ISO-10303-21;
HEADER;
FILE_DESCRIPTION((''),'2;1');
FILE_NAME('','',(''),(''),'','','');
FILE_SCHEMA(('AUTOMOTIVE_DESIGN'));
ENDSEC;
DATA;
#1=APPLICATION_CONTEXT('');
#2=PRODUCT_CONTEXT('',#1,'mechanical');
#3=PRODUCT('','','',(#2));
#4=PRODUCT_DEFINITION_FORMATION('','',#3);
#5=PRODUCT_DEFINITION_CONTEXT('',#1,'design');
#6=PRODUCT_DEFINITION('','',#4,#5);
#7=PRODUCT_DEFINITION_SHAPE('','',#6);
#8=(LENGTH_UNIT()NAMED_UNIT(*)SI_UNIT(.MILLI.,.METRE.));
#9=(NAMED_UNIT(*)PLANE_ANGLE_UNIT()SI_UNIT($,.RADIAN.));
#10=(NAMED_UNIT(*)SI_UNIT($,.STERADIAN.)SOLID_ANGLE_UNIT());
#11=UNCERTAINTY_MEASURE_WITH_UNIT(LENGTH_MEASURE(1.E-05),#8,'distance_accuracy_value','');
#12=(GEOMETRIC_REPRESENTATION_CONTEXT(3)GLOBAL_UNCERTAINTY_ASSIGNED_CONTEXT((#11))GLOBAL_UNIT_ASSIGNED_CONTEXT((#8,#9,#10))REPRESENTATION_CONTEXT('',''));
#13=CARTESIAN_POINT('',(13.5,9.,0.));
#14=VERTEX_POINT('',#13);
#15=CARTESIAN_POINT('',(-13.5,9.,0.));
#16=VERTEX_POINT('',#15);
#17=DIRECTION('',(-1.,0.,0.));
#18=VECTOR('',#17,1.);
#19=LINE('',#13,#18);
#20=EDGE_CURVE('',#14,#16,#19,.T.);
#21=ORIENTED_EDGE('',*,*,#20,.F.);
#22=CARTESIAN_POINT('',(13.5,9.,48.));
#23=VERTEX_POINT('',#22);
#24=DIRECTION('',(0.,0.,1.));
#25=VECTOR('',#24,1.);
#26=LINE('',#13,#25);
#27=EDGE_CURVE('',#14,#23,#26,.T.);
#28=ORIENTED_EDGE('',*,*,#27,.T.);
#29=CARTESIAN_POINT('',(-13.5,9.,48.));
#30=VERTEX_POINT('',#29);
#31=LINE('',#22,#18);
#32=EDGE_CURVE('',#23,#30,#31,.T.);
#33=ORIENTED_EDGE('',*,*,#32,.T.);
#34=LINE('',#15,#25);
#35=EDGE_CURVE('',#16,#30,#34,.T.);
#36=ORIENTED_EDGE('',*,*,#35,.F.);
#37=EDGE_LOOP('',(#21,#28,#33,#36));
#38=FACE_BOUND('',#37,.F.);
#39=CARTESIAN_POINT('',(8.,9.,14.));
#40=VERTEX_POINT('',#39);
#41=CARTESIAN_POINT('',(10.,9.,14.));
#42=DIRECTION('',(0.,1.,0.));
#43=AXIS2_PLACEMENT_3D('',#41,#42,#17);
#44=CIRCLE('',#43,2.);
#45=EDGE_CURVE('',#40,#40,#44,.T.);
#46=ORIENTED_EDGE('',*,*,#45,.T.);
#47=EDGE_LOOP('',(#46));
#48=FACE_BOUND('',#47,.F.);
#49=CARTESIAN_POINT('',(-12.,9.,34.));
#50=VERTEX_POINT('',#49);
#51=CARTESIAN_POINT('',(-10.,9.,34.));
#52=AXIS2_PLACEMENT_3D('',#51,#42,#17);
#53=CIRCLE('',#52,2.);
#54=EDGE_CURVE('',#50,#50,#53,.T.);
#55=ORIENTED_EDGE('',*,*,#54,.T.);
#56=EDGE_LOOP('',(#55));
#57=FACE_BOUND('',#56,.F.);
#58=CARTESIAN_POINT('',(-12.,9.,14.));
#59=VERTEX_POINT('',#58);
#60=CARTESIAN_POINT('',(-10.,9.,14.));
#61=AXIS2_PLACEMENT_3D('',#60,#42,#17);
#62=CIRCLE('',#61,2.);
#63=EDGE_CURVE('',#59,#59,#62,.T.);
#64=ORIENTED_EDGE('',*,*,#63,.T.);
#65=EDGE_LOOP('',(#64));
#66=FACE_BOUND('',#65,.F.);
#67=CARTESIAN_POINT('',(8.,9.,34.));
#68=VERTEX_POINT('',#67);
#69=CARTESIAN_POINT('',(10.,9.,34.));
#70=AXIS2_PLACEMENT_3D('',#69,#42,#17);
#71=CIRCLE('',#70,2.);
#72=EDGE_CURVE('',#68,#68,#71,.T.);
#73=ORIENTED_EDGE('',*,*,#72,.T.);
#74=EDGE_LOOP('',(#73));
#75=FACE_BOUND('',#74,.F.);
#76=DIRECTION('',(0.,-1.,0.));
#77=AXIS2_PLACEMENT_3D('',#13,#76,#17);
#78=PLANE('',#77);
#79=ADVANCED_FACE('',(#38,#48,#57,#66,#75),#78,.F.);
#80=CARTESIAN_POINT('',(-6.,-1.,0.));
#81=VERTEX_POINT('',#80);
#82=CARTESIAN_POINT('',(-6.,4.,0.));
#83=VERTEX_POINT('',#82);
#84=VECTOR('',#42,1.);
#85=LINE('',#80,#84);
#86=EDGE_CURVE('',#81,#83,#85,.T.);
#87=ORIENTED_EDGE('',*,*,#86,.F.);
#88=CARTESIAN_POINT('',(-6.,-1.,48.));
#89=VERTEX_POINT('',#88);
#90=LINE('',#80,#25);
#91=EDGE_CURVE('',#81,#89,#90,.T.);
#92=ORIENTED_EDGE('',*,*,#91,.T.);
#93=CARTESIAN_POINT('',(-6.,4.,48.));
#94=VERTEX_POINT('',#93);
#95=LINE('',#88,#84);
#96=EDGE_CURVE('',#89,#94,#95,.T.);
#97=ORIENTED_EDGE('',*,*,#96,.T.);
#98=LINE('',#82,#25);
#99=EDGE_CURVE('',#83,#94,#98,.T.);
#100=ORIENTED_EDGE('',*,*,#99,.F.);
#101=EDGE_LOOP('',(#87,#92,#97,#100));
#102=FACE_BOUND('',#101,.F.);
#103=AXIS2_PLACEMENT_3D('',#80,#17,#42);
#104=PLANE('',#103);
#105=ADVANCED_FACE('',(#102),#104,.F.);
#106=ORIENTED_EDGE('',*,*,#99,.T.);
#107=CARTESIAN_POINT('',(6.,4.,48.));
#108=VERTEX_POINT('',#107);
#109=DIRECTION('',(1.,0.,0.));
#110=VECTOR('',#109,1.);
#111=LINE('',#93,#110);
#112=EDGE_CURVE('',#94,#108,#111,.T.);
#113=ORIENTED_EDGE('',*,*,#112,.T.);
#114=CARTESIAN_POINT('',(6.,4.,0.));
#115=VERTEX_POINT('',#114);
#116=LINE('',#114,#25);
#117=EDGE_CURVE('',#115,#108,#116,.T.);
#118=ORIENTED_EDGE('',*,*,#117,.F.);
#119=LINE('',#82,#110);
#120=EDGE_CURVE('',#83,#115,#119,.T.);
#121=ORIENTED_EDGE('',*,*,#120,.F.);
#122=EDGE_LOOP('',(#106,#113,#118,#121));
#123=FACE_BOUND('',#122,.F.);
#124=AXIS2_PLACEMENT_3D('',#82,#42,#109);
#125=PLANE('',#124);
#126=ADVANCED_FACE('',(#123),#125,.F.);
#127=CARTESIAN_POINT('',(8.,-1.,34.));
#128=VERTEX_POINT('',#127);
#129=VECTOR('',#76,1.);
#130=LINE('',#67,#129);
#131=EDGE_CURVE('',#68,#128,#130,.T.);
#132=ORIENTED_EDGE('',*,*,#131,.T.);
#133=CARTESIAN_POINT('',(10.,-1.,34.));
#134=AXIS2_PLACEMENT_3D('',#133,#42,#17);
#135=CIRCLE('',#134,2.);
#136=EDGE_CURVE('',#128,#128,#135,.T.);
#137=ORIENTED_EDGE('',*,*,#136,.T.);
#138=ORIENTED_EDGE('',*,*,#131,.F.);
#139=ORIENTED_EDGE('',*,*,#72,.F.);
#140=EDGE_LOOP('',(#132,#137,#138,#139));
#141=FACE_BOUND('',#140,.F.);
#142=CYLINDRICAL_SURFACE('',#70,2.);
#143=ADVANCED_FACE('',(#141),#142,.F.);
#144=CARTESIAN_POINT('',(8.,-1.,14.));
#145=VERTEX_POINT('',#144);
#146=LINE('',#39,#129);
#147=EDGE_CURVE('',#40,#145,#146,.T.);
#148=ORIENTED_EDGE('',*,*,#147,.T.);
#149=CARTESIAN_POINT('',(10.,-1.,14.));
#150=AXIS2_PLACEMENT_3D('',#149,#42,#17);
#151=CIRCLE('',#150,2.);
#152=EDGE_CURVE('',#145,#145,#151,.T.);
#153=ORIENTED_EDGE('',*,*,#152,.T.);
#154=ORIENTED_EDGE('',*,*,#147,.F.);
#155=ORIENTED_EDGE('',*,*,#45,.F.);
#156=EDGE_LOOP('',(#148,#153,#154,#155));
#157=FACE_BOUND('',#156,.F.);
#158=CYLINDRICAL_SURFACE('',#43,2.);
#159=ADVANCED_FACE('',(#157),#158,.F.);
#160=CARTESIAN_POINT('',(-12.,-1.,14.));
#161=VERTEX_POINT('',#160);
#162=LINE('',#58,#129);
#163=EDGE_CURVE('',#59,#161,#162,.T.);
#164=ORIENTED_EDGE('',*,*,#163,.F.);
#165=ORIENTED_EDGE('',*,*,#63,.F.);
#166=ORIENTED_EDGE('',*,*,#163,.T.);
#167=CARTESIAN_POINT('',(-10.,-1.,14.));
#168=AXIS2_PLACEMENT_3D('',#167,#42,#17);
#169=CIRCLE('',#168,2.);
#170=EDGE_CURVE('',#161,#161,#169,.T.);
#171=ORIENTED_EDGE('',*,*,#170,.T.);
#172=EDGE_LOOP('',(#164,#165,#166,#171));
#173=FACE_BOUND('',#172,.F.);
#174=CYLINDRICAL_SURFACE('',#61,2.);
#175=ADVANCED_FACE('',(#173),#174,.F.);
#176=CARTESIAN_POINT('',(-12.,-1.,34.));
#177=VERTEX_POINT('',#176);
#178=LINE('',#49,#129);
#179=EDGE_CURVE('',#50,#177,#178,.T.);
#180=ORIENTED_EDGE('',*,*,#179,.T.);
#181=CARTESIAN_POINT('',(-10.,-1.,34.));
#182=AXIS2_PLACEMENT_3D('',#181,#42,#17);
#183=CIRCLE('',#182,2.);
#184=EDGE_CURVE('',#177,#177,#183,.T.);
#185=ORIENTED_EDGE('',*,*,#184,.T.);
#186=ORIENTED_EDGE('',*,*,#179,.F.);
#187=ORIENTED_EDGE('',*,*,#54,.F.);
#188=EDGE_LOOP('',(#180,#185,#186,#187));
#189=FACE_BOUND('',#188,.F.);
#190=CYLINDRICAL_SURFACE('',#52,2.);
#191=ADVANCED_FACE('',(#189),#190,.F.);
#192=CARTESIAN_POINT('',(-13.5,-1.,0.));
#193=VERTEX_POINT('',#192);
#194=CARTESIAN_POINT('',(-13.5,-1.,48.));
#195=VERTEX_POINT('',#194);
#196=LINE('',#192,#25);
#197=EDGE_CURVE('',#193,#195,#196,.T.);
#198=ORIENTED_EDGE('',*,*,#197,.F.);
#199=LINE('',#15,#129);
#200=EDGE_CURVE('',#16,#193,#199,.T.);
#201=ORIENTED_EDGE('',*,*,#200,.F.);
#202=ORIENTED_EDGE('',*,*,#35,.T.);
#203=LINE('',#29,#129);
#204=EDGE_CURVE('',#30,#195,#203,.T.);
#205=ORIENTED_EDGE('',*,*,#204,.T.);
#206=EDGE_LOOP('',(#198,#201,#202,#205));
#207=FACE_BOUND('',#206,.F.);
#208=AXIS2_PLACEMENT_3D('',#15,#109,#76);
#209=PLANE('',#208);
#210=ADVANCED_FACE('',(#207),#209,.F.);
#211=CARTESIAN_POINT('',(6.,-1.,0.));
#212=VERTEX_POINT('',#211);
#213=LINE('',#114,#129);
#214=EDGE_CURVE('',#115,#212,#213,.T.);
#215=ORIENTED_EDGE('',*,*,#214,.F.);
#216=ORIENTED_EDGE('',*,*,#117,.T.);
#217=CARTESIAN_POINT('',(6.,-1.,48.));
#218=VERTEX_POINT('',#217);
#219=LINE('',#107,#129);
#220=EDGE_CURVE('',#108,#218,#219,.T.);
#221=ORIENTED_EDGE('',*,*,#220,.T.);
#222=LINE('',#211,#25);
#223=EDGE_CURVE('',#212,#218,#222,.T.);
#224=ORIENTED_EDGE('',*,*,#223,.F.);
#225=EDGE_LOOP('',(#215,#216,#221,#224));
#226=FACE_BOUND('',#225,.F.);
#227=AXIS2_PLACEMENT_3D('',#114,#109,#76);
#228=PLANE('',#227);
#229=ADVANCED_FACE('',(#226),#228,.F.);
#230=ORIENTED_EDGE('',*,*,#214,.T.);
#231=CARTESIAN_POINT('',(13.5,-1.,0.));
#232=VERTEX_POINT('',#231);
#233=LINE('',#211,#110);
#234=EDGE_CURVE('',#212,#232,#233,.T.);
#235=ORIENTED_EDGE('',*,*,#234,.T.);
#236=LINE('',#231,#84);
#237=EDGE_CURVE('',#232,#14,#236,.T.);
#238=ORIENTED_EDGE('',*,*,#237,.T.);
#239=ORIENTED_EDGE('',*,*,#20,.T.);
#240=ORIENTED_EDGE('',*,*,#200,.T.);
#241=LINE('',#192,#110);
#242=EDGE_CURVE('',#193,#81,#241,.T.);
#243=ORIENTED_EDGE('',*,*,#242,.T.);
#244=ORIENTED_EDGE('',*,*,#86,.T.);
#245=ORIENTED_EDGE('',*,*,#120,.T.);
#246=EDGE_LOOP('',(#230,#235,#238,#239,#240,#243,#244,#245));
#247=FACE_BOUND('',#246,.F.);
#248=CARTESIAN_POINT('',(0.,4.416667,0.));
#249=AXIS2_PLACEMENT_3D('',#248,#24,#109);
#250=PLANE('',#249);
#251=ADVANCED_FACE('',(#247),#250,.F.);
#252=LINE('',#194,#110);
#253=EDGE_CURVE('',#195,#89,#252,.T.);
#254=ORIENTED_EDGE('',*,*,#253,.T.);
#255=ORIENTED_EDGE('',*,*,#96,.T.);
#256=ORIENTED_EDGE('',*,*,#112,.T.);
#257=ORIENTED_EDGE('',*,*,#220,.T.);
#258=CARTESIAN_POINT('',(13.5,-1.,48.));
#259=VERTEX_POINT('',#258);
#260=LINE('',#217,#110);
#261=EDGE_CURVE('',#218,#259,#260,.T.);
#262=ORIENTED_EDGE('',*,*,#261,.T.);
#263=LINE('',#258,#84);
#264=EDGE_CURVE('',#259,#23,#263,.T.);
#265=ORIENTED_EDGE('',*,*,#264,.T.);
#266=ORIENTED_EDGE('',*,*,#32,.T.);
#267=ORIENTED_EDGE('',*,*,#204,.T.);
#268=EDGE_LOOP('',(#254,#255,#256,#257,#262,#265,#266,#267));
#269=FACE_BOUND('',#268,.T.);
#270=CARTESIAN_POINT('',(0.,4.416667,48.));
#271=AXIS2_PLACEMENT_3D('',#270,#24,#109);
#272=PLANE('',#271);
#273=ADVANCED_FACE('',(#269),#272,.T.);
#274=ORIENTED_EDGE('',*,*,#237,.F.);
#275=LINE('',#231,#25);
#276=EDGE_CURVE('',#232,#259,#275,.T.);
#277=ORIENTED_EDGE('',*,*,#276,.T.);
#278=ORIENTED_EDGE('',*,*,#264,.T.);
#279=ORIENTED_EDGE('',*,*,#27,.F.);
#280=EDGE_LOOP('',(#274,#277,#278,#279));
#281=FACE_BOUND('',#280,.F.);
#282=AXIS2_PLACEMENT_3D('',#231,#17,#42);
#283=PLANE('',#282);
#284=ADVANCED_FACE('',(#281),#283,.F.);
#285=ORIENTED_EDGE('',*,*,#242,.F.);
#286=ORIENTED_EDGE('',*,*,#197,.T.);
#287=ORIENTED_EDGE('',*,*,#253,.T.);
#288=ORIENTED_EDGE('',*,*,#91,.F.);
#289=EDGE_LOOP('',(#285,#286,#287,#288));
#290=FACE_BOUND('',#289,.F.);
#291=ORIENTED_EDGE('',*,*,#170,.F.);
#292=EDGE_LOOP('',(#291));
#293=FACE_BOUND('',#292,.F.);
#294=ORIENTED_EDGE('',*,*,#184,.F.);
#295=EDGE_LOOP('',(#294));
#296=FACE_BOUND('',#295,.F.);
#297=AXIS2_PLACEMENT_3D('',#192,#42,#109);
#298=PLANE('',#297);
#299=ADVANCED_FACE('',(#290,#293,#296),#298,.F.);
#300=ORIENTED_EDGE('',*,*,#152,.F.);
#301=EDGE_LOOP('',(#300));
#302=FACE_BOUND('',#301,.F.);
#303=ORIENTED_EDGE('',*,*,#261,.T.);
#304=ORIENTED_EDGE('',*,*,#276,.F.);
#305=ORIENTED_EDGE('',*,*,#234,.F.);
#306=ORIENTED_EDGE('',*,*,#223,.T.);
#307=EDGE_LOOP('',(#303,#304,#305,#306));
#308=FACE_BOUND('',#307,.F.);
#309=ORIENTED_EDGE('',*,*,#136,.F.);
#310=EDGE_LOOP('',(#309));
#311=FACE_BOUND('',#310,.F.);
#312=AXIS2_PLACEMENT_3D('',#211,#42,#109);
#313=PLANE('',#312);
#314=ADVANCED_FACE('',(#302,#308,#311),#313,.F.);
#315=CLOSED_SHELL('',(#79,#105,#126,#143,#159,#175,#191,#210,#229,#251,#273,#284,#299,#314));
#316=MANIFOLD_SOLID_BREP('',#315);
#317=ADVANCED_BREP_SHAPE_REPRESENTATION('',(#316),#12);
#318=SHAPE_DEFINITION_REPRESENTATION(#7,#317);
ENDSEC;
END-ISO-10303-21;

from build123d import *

# Parameters (mm, degrees)
F1_DEPTH = 48
F2_R     = 2
F3_DEPTH = 10


with BuildPart() as f1:
    # F0 (on Top) → F1 (new body)
    with BuildSketch(Plane.XY):
        Polygon((-6, 4), (6, 4), (6, -1), (13.5, -1), (13.5, 9), (-13.5, 9), (-13.5, -1), (-6, -1), align=None)
    extrude(amount=F1_DEPTH)

    # F2 (on face) → F3 (cut)
    with BuildSketch(Plane(origin=(0, 9, 0), x_dir=(-1, 0, 0), z_dir=(0, 1, 0))):
        with Locations((-10, 34)):
            Circle(F2_R)
        with Locations((10, 34)):
            Circle(F2_R)
        with Locations((10, 14)):
            Circle(F2_R)
        with Locations((-10, 14)):
            Circle(F2_R)
    extrude(amount=-F3_DEPTH, mode=Mode.SUBTRACT)


solid = f1.part
